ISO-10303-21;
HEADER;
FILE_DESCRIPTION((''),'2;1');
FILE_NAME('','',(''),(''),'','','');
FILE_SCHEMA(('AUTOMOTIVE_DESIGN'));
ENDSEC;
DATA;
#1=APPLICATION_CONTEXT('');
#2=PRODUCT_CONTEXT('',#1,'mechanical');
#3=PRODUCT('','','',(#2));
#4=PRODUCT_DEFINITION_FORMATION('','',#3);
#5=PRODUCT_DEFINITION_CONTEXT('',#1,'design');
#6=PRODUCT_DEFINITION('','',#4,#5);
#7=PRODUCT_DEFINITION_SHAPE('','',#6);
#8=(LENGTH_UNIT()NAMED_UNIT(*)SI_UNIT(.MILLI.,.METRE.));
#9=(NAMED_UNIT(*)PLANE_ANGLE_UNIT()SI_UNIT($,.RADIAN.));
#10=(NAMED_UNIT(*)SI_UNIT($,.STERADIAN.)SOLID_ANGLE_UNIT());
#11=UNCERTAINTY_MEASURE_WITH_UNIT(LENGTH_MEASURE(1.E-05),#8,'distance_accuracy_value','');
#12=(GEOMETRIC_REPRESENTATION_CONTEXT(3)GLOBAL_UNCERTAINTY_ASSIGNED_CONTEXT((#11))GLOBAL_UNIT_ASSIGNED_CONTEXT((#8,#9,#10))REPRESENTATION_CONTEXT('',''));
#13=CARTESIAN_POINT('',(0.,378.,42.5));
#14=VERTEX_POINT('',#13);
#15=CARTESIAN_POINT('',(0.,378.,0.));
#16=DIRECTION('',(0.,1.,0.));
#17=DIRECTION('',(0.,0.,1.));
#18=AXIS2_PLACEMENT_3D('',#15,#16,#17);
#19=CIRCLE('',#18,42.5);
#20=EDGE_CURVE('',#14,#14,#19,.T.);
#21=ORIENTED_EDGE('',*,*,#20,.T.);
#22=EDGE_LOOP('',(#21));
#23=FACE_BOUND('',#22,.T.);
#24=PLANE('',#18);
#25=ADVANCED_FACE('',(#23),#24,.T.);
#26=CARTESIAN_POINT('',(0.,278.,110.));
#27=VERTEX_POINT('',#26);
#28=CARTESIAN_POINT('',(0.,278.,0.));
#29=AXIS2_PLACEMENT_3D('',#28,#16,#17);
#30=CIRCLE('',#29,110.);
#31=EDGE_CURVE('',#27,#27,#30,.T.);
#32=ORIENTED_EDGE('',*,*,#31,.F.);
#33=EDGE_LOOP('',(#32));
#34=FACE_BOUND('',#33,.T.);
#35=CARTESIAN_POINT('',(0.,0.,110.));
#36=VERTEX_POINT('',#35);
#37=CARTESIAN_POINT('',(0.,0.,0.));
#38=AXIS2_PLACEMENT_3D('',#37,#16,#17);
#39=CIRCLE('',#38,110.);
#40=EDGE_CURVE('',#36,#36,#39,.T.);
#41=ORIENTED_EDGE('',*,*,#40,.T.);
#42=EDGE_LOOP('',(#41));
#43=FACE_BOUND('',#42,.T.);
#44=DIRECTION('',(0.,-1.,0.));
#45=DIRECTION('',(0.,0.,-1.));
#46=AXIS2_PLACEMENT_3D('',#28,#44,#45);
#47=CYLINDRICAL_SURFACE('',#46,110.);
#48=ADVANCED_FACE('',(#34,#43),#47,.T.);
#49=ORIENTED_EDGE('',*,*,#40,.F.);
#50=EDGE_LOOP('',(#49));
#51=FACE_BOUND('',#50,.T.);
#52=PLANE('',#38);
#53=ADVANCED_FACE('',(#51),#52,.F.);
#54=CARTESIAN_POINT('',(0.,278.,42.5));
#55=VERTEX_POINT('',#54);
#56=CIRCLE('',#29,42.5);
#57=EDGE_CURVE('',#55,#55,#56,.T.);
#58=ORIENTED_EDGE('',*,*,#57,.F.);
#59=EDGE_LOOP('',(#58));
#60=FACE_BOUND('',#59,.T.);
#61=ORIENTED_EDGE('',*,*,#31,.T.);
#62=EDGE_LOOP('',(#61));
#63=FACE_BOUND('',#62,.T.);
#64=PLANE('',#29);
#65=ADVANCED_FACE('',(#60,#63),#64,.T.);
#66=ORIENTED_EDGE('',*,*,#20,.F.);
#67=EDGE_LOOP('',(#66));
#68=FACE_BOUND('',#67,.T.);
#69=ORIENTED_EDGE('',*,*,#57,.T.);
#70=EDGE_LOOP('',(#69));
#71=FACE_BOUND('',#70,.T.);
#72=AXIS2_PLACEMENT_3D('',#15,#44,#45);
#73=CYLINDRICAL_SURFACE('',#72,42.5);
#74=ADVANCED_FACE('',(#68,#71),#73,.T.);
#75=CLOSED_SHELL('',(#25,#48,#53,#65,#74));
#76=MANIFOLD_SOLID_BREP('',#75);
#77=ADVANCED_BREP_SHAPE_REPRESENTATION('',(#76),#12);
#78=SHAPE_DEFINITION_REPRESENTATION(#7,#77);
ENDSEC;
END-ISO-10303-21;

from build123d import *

# Parameters (mm, degrees)
SKETCH1_R           = 110
BOSS_EXTRUDE1_DEPTH = 278
SKETCH2_R           = 42.5
BOSS_EXTRUDE2_DEPTH = 100


with BuildPart() as part:
    # Sketch1 → Boss-Extrude1 (new body)
    with BuildSketch(Plane(origin=(0, 0, 0), x_dir=(1, 0, 0), z_dir=(0, 1, 0))):
        Circle(SKETCH1_R)
    extrude(amount=BOSS_EXTRUDE1_DEPTH)

    # Sketch2 → Boss-Extrude2 (add)
    with BuildSketch(Plane(origin=(0, 278, 0), x_dir=(1, 0, 0), z_dir=(0, 1, 0))):
        Circle(SKETCH2_R)
    extrude(amount=BOSS_EXTRUDE2_DEPTH)


solid = part.part
